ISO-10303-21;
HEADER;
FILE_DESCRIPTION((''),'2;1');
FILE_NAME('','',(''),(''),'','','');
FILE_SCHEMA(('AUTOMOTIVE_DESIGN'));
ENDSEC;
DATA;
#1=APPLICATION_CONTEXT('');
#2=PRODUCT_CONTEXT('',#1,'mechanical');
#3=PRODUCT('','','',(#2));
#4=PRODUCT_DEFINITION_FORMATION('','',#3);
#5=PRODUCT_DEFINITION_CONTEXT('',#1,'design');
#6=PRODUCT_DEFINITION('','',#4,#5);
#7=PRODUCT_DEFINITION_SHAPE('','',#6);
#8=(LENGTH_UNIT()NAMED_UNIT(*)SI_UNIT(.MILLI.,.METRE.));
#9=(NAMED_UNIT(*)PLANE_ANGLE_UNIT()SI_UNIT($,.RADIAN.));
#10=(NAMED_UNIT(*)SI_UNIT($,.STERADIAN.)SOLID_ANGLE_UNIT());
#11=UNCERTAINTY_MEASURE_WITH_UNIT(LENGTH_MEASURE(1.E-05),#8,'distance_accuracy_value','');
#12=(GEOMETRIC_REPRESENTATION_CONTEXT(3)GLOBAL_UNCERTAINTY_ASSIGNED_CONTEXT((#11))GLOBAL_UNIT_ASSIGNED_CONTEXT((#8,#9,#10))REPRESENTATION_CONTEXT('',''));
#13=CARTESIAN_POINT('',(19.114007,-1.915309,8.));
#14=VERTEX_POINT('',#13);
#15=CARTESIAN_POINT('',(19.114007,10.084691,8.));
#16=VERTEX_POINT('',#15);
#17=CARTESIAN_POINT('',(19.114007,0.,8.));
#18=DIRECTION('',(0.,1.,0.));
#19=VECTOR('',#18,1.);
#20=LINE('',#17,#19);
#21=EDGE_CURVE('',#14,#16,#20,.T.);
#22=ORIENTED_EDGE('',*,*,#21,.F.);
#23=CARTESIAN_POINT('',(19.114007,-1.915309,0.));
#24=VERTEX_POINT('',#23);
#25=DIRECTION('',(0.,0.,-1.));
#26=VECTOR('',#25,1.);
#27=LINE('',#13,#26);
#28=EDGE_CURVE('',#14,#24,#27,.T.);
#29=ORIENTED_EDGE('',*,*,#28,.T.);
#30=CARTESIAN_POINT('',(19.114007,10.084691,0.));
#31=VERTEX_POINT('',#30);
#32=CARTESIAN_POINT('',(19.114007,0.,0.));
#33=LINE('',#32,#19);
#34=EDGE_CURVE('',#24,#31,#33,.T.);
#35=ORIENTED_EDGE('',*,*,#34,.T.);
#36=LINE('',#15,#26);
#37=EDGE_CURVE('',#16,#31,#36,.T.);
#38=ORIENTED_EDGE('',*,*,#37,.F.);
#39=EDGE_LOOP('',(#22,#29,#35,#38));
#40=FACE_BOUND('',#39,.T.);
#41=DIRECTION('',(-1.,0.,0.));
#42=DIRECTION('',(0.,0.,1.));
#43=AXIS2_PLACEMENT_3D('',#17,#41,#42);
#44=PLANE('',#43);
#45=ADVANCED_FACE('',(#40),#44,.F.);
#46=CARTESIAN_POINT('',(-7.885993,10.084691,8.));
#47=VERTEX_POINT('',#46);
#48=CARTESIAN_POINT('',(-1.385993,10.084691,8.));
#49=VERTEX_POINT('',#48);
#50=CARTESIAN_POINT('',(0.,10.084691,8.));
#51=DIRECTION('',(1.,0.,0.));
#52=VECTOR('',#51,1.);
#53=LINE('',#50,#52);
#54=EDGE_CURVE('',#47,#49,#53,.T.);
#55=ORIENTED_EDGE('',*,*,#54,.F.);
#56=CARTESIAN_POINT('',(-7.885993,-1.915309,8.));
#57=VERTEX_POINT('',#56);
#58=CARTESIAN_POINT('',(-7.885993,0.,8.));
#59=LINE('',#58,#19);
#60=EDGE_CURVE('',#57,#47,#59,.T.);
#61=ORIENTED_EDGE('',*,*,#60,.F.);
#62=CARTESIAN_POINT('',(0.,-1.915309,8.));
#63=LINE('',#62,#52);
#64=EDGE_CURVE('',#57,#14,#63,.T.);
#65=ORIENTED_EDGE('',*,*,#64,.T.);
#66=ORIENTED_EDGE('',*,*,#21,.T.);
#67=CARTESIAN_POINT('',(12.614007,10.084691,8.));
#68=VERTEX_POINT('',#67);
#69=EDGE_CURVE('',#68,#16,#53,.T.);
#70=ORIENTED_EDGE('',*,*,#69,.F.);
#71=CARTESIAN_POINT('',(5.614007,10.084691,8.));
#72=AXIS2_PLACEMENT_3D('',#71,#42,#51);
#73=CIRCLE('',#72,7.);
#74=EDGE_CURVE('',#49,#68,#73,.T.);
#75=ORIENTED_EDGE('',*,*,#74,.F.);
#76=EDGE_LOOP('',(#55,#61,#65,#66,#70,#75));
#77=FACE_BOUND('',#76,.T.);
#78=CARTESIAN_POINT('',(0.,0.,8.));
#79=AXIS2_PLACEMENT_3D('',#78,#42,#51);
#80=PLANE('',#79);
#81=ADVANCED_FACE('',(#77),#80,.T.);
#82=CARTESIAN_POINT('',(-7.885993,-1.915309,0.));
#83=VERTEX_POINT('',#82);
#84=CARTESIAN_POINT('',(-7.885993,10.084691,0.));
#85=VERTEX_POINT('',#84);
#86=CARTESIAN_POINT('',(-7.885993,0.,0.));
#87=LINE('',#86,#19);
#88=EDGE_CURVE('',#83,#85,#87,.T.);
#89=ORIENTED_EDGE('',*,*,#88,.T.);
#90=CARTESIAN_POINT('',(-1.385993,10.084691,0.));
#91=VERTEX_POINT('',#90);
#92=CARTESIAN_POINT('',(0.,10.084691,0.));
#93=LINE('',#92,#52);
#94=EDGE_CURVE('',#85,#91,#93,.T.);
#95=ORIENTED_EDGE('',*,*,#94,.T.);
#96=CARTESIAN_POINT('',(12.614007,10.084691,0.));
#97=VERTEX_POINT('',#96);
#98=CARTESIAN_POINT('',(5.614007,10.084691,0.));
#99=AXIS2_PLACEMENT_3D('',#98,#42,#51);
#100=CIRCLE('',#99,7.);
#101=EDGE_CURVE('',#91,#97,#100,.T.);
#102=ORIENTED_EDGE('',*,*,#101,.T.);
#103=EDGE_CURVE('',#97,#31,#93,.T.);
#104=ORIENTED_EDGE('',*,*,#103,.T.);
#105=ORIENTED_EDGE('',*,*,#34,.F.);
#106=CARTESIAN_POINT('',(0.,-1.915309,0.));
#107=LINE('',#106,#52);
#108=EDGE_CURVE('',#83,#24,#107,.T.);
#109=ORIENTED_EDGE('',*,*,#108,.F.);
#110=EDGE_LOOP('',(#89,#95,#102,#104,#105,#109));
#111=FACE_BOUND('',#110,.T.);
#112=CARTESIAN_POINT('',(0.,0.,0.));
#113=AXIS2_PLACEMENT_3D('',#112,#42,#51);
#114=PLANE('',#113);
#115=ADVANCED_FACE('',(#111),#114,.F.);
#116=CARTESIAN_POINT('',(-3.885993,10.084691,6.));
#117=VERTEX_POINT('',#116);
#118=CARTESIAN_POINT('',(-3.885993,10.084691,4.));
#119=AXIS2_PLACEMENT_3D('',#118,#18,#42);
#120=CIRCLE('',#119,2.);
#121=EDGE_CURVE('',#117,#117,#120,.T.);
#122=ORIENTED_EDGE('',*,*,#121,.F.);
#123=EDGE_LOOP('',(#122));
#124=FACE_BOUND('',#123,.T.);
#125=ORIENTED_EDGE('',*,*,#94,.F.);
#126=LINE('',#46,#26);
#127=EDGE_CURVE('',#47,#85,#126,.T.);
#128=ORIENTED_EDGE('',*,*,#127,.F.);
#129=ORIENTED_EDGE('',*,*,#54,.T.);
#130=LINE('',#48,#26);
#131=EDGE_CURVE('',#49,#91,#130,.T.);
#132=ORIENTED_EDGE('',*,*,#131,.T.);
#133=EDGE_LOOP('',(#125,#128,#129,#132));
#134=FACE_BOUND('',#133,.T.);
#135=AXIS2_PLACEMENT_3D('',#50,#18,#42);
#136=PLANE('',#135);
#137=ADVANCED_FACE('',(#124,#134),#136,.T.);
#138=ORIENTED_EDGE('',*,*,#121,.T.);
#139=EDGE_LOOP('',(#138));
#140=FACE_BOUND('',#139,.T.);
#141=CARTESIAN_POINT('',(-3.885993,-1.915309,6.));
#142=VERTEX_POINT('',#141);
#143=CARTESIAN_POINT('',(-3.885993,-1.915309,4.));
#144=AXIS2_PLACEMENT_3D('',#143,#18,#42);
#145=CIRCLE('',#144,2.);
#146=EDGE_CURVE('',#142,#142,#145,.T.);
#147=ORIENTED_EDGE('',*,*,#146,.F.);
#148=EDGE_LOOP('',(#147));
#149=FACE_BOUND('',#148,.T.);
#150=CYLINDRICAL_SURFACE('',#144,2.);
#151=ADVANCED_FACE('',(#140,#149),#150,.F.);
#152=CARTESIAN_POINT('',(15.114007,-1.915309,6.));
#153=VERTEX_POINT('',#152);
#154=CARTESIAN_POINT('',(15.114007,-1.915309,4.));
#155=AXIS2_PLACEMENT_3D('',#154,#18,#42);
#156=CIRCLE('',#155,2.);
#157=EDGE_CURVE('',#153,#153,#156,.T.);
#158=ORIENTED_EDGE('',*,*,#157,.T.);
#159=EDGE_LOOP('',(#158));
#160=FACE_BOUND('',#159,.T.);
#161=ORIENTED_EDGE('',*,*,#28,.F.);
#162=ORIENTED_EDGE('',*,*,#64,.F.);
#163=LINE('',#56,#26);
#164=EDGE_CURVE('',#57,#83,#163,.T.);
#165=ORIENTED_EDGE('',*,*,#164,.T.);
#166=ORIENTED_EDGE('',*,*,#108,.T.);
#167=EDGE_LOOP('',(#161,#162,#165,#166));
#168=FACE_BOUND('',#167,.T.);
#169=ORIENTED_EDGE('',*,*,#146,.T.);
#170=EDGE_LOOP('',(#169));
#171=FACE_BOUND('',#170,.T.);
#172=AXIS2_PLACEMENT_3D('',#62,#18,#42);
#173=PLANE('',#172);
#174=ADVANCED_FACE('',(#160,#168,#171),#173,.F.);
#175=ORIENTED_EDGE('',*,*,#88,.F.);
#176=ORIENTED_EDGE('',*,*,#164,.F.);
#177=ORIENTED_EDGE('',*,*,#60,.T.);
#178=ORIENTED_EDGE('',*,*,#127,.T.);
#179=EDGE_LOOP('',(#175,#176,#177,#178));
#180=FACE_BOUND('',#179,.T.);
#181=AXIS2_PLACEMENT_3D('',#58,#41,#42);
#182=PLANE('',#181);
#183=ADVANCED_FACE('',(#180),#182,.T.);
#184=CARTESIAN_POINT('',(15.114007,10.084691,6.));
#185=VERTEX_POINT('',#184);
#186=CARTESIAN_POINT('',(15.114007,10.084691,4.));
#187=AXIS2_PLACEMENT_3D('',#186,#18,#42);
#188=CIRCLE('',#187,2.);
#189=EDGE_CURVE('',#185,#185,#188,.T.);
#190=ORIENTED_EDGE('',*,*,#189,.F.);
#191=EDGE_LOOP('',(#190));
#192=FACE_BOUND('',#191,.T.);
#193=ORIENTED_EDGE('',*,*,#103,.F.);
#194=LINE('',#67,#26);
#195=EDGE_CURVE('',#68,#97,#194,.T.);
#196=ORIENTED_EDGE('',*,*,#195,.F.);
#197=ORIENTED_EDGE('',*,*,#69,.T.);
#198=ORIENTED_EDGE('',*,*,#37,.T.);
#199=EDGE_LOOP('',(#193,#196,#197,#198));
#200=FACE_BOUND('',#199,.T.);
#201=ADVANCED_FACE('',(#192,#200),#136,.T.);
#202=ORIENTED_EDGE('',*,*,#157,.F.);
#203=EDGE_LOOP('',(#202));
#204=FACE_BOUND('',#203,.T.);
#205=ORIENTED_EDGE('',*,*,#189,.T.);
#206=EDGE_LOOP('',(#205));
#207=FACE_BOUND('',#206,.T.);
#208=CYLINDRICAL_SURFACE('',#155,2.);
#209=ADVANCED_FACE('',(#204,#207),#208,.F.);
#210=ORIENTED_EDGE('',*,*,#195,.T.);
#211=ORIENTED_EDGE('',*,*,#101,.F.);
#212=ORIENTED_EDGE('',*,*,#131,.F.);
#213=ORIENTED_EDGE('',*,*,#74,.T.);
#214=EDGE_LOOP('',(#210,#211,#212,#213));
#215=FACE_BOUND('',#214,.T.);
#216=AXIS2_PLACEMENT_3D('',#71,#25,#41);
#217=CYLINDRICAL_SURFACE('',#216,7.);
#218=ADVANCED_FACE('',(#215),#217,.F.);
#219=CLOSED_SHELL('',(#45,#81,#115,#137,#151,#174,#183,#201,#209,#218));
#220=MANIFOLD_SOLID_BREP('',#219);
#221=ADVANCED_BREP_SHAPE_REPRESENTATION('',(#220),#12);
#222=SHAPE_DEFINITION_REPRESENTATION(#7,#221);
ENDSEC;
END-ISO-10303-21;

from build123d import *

# Parameters (mm, degrees)
BOSS_EXTRUDE1_DEPTH = 8
SKETCH2_R           = 2
CUT_EXTRUDE1_DEPTH  = 13


with BuildPart() as part:
    # Sketch1 → Boss-Extrude1 (new body)
    with BuildSketch(Plane.XY):
        with BuildLine():
            Line((-7.885993485, 10.084690554), (-7.885993485, -1.915309446))
            Line((-7.885993485, -1.915309446), (19.114006515, -1.915309446))
            Line((19.114006515, -1.915309446), (19.114006515, 10.084690554))
            Line((19.114006515, 10.084690554), (12.614006515, 10.084690554))
            ThreePointArc((12.614006515, 10.084690554), (5.614006515, 3.084690554), (-1.385993485, 10.084690554))
            Line((-1.385993485, 10.084690554), (-7.885993485, 10.084690554))
        make_face()
    extrude(amount=BOSS_EXTRUDE1_DEPTH)

    # Sketch2 → Cut-Extrude1 (cut, through all)
    with BuildSketch(Plane(origin=(0, 10.084690554, 0), x_dir=(1, 0, 0), z_dir=(0, 1, 0))):
        with Locations((-3.885993485, -4)):
            Circle(SKETCH2_R)
        with Locations((15.114006515, -4)):
            Circle(SKETCH2_R)
    extrude(amount=-CUT_EXTRUDE1_DEPTH, mode=Mode.SUBTRACT)


solid = part.part
